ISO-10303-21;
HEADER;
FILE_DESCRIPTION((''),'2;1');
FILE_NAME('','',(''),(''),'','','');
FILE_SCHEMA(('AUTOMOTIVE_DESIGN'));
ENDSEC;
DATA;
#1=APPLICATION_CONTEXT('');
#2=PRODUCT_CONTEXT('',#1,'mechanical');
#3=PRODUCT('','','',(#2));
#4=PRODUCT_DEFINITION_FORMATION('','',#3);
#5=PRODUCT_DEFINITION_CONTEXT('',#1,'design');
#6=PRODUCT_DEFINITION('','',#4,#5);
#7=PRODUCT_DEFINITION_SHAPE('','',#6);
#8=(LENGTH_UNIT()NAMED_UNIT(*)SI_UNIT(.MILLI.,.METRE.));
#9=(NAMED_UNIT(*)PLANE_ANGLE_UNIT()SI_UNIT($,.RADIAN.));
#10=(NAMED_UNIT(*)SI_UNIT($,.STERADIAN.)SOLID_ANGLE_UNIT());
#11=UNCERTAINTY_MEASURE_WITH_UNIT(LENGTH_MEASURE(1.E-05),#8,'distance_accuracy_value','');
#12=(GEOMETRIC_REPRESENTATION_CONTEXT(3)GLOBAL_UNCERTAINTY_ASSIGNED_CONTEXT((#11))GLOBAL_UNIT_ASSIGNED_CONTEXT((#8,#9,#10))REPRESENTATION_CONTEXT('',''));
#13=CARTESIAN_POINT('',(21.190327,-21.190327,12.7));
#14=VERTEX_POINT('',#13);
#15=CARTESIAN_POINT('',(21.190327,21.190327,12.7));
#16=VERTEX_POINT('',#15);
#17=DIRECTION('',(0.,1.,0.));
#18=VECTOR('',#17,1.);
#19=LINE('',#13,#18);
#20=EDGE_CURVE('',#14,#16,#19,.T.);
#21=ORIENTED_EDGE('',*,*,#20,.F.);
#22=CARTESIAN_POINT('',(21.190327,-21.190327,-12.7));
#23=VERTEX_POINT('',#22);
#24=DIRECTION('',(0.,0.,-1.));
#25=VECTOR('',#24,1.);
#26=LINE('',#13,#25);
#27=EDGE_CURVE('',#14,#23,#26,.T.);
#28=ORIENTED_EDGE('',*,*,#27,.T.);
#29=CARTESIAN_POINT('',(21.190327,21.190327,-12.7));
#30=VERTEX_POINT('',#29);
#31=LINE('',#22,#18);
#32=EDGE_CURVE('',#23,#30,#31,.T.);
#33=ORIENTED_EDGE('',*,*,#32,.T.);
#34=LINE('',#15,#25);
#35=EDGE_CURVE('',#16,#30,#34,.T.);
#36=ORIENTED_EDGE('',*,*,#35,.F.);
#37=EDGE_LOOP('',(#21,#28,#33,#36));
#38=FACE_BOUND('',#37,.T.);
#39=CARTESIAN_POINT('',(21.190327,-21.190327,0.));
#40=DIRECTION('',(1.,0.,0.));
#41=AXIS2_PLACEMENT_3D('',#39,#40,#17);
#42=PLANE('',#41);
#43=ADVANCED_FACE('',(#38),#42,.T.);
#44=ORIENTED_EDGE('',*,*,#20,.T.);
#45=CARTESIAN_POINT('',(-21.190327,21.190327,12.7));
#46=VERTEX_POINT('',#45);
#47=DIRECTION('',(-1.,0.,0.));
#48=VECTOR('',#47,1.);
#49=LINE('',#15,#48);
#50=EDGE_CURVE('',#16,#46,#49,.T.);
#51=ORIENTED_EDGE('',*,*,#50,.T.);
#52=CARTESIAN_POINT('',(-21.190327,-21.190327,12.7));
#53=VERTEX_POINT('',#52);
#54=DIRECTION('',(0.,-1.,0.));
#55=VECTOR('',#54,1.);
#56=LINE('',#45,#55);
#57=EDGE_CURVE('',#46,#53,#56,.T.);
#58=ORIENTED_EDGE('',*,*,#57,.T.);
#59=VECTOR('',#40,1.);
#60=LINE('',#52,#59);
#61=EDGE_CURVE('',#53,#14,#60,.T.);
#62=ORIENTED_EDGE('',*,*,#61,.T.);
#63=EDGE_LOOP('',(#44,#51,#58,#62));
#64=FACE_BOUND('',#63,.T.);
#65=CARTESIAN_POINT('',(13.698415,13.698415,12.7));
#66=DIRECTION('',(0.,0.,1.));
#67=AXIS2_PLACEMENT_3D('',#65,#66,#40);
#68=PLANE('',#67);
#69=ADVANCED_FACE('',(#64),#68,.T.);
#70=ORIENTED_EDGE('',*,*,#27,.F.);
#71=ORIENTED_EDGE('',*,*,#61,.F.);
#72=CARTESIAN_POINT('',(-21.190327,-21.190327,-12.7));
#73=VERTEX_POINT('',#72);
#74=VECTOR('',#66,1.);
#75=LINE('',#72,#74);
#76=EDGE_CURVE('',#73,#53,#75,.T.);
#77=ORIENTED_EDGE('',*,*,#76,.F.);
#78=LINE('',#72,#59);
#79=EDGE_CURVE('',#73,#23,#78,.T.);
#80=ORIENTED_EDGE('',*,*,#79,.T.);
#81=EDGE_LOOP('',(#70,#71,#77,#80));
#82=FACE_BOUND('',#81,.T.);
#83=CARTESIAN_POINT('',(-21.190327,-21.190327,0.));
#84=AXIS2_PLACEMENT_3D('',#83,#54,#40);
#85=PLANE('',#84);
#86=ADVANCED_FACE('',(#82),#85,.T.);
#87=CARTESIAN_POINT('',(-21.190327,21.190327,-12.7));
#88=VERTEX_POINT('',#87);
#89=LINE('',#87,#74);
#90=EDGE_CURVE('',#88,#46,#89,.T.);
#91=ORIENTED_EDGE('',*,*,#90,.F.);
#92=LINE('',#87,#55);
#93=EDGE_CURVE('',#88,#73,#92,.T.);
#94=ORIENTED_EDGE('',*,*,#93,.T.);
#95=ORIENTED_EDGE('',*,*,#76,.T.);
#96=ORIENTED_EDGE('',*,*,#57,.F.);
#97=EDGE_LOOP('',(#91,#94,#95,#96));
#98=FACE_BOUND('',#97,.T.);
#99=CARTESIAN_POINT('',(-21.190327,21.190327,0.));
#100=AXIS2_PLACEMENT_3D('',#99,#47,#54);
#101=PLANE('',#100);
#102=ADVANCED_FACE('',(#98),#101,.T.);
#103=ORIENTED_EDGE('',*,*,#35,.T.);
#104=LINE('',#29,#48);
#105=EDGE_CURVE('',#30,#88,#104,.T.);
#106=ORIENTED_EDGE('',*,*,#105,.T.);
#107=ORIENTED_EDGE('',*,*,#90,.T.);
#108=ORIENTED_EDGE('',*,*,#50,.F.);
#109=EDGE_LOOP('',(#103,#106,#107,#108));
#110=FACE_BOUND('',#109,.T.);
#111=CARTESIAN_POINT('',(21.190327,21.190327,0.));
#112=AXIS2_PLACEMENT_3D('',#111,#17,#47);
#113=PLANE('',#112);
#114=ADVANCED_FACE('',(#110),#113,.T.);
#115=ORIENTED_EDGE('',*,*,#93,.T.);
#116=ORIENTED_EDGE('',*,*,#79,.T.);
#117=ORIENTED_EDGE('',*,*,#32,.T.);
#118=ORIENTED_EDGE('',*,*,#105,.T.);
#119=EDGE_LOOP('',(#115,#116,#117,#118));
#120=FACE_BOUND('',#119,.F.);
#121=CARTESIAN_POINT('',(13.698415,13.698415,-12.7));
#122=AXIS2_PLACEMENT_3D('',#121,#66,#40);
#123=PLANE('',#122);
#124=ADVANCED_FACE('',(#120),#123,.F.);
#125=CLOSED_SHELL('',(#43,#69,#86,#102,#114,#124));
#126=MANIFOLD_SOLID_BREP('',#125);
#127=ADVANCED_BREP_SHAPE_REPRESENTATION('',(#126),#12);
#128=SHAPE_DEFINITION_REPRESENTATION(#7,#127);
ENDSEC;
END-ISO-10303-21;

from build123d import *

# Parameters (mm, degrees)
F1_DEPTH = 12.7


with BuildPart() as f1:
    # F0 (on Top) → F1 (new body, symmetric)
    with BuildSketch(Plane.XY):
        Polygon((0, 21.190327), (21.190327, 0), (21.190327, 21.190327), align=None)
        Polygon((-21.190327, 0), (0, -21.190327), (21.190327, 0), (0, 21.190327), align=None)
        Polygon((-21.190327, -21.190327), (0, -21.190327), (-21.190327, 0), align=None)
        Polygon((0, -21.190327), (21.190327, -21.190327), (21.190327, 0), align=None)
        Polygon((-21.190327, 21.190327), (-21.190327, 0), (0, 21.190327), align=None)
    extrude(amount=F1_DEPTH, both=True)


solid = f1.part
